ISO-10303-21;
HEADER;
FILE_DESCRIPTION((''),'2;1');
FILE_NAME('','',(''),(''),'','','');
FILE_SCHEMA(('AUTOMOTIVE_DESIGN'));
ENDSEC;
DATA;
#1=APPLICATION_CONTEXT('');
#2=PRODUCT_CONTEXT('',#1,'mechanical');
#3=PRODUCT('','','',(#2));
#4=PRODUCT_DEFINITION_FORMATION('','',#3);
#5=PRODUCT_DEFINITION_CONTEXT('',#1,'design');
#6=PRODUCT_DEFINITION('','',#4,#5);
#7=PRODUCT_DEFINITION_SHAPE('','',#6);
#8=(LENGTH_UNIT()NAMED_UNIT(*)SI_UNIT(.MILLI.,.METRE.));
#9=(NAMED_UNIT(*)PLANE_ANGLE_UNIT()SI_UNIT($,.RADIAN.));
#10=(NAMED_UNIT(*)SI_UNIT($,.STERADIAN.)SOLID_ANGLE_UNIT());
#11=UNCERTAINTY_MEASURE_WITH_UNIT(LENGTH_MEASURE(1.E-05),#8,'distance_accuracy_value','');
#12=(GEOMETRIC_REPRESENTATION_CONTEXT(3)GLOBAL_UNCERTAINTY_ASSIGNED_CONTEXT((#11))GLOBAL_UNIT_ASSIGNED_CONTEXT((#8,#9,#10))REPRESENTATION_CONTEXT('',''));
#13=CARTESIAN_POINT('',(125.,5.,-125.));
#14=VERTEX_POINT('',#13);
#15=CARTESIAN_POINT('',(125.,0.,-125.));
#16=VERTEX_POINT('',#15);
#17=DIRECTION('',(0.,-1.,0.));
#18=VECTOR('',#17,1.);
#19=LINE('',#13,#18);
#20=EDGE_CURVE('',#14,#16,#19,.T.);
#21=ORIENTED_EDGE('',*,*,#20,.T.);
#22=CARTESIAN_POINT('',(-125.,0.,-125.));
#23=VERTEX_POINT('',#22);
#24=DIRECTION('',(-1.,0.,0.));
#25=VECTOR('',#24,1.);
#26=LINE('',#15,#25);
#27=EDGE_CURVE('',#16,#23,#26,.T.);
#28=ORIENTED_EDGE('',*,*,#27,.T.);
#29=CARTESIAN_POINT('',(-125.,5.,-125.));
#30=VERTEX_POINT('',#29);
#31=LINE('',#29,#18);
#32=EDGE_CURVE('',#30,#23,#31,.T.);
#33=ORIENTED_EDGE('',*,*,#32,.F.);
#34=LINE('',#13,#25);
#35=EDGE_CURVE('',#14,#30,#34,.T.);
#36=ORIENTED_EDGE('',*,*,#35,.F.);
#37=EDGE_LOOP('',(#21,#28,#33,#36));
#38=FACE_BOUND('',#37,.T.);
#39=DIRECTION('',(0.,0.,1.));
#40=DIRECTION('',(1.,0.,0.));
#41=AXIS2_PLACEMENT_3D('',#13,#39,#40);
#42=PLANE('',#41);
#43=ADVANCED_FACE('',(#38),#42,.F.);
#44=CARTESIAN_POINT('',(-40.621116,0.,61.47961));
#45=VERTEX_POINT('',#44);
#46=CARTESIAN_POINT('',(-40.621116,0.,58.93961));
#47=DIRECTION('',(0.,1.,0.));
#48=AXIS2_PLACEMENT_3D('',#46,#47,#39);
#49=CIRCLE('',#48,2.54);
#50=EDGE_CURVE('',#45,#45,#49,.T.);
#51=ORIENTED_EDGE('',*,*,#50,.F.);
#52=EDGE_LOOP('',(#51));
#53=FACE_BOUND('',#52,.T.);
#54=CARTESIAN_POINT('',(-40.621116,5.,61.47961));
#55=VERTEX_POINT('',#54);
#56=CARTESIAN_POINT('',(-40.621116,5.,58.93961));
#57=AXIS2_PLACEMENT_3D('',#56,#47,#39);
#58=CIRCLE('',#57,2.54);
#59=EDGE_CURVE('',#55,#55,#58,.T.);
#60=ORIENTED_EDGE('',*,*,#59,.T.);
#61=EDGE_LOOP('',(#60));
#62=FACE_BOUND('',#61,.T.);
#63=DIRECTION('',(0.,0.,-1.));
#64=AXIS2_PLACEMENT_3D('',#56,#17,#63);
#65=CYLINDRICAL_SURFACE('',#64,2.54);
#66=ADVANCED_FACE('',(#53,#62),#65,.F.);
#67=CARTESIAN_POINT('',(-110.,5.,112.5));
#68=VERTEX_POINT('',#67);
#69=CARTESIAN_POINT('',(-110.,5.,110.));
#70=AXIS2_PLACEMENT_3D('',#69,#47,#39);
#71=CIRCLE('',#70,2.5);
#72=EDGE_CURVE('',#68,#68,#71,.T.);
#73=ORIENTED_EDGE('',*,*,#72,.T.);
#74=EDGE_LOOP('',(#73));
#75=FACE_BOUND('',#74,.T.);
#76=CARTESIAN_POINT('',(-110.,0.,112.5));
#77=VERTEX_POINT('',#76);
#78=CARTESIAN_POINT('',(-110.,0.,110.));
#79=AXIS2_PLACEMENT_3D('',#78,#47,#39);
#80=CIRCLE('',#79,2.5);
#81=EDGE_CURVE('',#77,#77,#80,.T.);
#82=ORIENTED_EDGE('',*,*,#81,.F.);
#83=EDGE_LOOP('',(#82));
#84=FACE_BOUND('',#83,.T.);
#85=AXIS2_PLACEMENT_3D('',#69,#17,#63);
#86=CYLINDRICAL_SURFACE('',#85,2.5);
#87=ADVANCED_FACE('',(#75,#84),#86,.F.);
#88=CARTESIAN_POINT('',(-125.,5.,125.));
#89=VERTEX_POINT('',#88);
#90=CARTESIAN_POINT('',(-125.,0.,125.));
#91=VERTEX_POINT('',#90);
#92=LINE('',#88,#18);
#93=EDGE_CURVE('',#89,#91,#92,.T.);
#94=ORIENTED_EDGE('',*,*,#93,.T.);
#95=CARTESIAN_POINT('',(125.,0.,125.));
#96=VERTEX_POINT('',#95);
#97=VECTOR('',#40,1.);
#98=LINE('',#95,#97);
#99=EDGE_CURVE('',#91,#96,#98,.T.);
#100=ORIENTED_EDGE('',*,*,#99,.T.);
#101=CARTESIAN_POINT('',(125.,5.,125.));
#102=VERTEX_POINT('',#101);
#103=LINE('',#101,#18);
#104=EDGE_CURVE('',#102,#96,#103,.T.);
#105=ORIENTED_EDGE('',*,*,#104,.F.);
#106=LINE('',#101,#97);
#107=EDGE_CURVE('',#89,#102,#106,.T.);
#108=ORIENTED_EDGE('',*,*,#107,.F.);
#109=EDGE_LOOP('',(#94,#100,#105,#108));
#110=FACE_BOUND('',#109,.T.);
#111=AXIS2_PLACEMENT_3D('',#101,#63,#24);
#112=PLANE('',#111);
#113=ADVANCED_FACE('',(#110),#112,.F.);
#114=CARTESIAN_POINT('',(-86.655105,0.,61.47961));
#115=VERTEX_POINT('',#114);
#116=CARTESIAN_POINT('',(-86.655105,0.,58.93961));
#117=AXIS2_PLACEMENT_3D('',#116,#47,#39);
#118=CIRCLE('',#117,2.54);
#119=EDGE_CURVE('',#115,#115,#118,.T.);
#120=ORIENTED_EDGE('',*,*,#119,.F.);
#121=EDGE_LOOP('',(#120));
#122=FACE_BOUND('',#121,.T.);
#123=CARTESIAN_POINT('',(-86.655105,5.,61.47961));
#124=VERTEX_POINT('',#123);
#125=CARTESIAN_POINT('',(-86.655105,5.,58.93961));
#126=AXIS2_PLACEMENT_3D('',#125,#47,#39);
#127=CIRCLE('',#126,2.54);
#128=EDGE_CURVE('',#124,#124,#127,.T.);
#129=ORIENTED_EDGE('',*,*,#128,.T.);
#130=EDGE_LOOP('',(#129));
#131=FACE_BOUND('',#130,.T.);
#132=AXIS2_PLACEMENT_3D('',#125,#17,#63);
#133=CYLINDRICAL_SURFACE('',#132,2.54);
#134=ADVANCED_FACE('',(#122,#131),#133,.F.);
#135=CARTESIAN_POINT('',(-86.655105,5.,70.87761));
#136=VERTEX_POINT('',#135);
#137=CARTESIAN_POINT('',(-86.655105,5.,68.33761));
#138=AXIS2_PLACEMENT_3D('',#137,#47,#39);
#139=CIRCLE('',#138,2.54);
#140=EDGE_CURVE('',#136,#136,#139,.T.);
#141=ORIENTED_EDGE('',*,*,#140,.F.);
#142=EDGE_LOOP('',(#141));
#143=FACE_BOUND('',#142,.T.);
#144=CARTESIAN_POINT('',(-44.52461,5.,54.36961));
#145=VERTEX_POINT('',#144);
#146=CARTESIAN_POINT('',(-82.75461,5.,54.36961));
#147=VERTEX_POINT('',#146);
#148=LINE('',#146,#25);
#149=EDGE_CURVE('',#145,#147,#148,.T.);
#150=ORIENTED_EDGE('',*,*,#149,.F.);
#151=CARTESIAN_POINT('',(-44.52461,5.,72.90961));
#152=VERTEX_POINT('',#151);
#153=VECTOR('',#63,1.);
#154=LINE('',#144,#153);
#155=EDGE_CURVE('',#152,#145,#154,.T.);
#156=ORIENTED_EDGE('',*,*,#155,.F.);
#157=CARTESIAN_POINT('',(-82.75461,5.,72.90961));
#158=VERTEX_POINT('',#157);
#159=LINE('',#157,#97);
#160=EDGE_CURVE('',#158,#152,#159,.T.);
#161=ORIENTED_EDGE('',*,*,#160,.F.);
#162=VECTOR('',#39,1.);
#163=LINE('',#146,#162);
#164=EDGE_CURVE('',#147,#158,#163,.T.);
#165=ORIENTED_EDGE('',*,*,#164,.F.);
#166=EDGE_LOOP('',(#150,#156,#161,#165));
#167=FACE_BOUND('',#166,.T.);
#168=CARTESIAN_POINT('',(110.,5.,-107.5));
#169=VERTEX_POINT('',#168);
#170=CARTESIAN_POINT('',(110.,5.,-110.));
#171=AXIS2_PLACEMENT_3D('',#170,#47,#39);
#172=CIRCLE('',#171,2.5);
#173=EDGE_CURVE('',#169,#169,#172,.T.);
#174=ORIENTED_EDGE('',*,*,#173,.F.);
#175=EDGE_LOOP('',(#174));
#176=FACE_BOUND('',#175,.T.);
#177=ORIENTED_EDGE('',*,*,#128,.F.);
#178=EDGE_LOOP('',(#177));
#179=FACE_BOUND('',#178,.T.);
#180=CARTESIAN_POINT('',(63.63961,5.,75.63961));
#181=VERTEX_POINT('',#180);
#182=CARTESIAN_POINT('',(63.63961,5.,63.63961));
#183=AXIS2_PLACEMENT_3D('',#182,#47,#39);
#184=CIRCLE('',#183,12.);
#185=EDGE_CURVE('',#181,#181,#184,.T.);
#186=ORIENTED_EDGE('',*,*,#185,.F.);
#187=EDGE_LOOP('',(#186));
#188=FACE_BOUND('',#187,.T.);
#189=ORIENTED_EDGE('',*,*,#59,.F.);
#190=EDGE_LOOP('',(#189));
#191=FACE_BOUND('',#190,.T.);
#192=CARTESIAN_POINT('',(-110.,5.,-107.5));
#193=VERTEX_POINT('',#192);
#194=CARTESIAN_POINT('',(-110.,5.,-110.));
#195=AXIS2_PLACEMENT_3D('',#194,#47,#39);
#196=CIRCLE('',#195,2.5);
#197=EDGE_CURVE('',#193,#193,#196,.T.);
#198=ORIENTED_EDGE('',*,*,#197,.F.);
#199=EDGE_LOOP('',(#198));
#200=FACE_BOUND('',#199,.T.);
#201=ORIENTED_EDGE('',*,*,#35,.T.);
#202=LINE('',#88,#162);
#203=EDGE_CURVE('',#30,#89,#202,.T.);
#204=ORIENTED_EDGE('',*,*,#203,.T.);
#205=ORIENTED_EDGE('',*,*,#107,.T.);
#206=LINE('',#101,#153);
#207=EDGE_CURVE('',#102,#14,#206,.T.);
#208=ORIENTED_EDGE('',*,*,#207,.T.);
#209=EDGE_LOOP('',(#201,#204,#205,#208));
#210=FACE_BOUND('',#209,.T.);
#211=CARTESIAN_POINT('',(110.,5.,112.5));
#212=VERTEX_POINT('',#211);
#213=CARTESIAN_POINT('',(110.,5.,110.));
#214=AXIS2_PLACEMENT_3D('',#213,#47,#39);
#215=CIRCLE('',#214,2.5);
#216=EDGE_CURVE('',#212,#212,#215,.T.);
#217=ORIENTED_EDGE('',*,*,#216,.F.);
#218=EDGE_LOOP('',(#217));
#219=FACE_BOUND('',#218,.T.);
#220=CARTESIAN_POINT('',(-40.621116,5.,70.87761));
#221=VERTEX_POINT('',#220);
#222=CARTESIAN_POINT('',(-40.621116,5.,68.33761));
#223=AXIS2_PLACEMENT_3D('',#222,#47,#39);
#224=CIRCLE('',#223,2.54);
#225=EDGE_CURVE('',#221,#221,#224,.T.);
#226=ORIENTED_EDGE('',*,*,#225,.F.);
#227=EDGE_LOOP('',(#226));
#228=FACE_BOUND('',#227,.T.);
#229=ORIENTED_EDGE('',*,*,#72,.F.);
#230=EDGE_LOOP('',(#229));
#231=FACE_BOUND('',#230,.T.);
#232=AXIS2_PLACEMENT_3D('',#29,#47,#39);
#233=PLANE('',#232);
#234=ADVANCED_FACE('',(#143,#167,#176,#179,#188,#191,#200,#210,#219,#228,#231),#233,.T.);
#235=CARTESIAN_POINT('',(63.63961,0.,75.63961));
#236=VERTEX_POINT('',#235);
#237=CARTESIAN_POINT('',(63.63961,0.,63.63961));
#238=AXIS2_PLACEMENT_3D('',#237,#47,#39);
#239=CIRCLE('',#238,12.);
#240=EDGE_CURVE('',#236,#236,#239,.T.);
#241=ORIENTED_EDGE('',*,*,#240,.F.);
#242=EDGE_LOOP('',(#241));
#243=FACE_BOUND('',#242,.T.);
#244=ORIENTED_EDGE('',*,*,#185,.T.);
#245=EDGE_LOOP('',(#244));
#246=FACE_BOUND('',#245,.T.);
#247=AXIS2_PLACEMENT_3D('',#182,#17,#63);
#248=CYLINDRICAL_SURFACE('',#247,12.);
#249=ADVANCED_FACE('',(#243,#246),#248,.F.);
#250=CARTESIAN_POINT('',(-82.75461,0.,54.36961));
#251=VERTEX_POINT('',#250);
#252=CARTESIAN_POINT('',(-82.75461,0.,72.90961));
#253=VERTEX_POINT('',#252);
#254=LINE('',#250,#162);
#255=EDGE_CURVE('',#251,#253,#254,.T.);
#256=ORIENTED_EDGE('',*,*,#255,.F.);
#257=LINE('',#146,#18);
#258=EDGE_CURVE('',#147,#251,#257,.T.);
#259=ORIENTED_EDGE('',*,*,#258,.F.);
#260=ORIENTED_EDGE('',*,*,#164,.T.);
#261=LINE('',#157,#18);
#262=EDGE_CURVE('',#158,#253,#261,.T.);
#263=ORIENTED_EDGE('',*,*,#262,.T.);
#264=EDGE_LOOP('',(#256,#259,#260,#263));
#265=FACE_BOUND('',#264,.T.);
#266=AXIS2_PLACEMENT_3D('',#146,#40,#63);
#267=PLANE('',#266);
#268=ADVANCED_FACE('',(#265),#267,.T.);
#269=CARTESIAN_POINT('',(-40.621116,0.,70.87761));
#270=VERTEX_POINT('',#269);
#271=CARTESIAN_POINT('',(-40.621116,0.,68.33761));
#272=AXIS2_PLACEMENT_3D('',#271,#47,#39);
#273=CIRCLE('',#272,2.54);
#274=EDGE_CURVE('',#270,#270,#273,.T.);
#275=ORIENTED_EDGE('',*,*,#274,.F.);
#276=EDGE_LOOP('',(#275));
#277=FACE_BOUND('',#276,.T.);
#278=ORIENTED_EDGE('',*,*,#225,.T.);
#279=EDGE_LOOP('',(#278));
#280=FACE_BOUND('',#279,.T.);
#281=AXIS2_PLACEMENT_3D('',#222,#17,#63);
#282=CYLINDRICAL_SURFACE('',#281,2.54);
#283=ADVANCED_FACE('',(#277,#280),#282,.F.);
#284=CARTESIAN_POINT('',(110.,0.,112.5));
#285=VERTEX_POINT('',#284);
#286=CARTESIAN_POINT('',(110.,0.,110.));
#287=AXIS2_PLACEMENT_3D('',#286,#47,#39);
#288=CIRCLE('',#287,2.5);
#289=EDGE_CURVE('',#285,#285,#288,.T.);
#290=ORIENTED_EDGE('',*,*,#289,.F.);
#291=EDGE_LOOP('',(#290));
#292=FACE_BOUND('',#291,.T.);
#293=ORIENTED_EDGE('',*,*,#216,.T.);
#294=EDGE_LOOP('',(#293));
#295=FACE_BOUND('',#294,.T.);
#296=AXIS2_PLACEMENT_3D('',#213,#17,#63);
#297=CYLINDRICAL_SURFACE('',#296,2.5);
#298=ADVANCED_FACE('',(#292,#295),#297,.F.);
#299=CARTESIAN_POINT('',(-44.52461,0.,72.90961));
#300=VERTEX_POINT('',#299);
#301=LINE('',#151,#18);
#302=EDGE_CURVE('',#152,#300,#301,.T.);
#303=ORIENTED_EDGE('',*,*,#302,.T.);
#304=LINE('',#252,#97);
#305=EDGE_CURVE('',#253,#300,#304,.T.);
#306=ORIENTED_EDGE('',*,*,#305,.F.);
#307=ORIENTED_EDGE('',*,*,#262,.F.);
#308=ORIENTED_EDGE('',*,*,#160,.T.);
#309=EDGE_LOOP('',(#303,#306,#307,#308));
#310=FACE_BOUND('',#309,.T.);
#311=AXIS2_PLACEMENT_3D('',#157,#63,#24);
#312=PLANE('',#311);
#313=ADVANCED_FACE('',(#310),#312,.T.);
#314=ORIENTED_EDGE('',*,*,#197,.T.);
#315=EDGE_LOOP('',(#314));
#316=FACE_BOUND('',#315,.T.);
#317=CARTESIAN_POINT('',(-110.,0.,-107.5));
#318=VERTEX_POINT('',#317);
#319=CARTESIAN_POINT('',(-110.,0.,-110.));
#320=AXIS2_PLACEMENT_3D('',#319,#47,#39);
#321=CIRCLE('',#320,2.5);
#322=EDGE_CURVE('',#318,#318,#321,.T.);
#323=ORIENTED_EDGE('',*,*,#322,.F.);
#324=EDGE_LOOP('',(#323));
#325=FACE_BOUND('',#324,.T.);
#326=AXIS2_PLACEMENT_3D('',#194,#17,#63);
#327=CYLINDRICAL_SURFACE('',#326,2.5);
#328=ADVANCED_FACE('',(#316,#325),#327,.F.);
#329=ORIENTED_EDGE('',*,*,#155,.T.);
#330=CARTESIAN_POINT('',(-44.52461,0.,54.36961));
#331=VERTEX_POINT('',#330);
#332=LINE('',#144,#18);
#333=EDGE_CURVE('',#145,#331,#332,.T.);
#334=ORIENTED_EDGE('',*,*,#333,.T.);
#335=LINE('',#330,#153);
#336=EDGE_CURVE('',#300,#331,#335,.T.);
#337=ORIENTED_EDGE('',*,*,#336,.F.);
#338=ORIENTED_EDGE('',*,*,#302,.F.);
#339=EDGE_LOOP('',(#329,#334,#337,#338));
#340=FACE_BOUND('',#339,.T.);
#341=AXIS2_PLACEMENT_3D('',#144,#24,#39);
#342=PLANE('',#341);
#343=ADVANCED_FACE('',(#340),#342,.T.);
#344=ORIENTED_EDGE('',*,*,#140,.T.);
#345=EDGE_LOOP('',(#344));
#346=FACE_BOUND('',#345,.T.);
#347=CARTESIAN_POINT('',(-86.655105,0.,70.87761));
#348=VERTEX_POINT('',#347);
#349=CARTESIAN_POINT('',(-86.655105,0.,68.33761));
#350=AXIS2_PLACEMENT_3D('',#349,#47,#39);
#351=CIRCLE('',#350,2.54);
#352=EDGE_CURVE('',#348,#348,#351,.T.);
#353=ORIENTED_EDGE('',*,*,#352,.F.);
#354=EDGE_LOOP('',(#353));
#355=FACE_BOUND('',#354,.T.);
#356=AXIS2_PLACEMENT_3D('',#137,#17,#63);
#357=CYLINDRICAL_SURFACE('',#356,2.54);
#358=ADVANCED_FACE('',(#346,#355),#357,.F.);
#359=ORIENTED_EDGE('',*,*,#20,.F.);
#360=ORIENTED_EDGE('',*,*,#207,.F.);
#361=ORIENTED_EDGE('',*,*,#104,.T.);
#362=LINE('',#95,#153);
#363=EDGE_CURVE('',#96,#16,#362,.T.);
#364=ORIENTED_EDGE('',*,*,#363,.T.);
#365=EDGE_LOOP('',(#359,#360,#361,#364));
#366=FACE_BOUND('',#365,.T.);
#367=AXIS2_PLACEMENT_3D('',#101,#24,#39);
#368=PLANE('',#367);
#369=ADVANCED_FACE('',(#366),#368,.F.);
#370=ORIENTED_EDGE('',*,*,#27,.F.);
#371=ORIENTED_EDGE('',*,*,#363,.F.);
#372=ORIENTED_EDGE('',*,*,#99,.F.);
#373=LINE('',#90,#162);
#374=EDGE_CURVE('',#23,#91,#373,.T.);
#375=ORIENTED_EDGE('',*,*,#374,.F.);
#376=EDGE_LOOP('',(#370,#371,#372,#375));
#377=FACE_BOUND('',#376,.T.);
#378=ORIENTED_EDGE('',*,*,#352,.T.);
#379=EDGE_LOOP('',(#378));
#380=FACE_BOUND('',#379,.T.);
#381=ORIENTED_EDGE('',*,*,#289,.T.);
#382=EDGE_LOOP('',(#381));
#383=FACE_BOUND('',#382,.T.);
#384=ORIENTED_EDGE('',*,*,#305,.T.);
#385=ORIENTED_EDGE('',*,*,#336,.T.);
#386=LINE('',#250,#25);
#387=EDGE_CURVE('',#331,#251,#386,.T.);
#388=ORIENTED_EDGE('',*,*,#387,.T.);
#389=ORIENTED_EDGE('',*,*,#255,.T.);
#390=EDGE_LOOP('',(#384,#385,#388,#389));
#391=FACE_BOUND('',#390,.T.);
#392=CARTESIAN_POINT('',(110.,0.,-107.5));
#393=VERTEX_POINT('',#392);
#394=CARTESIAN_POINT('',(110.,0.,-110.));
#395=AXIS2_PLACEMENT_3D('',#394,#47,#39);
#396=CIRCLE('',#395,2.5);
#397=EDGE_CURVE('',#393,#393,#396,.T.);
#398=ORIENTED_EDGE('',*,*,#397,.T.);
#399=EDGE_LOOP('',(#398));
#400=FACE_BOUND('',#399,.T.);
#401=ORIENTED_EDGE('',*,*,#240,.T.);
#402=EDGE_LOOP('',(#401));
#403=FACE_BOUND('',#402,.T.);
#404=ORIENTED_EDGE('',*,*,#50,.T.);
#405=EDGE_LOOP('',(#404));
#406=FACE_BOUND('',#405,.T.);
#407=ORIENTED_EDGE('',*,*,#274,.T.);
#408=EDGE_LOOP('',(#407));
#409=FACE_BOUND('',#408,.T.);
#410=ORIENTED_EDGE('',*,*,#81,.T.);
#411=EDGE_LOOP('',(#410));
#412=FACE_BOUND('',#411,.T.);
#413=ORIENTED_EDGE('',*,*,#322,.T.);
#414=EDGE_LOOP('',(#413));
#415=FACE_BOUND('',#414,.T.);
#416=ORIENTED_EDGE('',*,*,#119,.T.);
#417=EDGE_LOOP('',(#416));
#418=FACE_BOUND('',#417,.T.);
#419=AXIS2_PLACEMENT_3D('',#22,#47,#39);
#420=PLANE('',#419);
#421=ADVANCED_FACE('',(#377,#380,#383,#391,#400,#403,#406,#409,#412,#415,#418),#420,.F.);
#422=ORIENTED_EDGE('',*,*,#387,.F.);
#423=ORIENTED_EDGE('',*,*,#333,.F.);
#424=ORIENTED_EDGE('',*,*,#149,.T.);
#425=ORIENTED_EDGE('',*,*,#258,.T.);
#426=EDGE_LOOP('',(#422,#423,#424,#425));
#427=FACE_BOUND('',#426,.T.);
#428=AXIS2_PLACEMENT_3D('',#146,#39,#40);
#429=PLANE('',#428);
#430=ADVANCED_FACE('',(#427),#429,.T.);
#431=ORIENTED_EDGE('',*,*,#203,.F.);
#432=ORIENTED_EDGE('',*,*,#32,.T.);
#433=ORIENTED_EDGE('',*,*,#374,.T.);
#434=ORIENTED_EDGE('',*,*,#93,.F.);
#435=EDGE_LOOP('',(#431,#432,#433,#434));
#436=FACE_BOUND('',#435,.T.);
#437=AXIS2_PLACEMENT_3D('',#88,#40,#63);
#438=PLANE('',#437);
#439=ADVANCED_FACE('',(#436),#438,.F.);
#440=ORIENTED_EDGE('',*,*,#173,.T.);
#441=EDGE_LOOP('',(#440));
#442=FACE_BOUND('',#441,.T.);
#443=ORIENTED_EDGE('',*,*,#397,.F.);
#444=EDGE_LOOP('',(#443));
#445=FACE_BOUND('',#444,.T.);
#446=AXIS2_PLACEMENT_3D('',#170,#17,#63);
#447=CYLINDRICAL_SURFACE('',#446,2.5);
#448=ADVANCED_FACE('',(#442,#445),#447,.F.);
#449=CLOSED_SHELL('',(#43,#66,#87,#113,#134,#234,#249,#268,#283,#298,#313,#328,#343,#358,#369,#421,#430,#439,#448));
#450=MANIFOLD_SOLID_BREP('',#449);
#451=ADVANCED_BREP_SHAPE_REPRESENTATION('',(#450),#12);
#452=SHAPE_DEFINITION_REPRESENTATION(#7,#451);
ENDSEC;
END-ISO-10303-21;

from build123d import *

# Parameters (mm, degrees)
SCHIZZO1_W                   = 250
SCHIZZO1_H                   = 250
SCHIZZO1_R                   = 2.5
SCHIZZO1_R_2                 = 12
SCHIZZO1_R_3                 = 2.54
SCHIZZO1_W_2                 = 38.23
SCHIZZO1_H_2                 = 18.54
ESTRUSIONE_ESTRUSIONE1_DEPTH = 5


with BuildPart() as part:
    # Schizzo1 → Estrusione-Estrusione1 (new body)
    with BuildSketch(Plane(origin=(0, 0, 0), x_dir=(1, 0, 0), z_dir=(0, 1, 0))):
        Rectangle(SCHIZZO1_W, SCHIZZO1_H)
        with Locations(Location((-110, 110, 0), (0, 0, 270))):
            Circle(SCHIZZO1_R, mode=Mode.SUBTRACT)
        with Locations(Location((110, 110, 0), (0, 0, 270))):
            Circle(SCHIZZO1_R, mode=Mode.SUBTRACT)
        with Locations(Location((-110, -110, 0), (0, 0, 270))):
            Circle(SCHIZZO1_R, mode=Mode.SUBTRACT)
        with Locations(Location((110, -110, 0), (0, 0, 270))):
            Circle(SCHIZZO1_R, mode=Mode.SUBTRACT)
        with Locations(Location((63.639610307, -63.639610307, 0), (0, 0, 270))):
            Circle(SCHIZZO1_R_2, mode=Mode.SUBTRACT)
        with Locations(Location((-86.655104778, -58.939610307, 0), (0, 0, 270))):
            Circle(SCHIZZO1_R_3, mode=Mode.SUBTRACT)
        with Locations(Location((-86.655104778, -68.337610307, 0), (0, 0, 270))):
            Circle(SCHIZZO1_R_3, mode=Mode.SUBTRACT)
        with Locations(Location((-40.621115836, -68.337610307, 0), (0, 0, 270))):
            Circle(SCHIZZO1_R_3, mode=Mode.SUBTRACT)
        with Locations(Location((-40.621115836, -58.939610307, 0), (0, 0, 270))):
            Circle(SCHIZZO1_R_3, mode=Mode.SUBTRACT)
        with Locations((-63.639610307, -63.639610307)):
            Rectangle(SCHIZZO1_W_2, SCHIZZO1_H_2, mode=Mode.SUBTRACT)
    extrude(amount=ESTRUSIONE_ESTRUSIONE1_DEPTH)


solid = part.part
